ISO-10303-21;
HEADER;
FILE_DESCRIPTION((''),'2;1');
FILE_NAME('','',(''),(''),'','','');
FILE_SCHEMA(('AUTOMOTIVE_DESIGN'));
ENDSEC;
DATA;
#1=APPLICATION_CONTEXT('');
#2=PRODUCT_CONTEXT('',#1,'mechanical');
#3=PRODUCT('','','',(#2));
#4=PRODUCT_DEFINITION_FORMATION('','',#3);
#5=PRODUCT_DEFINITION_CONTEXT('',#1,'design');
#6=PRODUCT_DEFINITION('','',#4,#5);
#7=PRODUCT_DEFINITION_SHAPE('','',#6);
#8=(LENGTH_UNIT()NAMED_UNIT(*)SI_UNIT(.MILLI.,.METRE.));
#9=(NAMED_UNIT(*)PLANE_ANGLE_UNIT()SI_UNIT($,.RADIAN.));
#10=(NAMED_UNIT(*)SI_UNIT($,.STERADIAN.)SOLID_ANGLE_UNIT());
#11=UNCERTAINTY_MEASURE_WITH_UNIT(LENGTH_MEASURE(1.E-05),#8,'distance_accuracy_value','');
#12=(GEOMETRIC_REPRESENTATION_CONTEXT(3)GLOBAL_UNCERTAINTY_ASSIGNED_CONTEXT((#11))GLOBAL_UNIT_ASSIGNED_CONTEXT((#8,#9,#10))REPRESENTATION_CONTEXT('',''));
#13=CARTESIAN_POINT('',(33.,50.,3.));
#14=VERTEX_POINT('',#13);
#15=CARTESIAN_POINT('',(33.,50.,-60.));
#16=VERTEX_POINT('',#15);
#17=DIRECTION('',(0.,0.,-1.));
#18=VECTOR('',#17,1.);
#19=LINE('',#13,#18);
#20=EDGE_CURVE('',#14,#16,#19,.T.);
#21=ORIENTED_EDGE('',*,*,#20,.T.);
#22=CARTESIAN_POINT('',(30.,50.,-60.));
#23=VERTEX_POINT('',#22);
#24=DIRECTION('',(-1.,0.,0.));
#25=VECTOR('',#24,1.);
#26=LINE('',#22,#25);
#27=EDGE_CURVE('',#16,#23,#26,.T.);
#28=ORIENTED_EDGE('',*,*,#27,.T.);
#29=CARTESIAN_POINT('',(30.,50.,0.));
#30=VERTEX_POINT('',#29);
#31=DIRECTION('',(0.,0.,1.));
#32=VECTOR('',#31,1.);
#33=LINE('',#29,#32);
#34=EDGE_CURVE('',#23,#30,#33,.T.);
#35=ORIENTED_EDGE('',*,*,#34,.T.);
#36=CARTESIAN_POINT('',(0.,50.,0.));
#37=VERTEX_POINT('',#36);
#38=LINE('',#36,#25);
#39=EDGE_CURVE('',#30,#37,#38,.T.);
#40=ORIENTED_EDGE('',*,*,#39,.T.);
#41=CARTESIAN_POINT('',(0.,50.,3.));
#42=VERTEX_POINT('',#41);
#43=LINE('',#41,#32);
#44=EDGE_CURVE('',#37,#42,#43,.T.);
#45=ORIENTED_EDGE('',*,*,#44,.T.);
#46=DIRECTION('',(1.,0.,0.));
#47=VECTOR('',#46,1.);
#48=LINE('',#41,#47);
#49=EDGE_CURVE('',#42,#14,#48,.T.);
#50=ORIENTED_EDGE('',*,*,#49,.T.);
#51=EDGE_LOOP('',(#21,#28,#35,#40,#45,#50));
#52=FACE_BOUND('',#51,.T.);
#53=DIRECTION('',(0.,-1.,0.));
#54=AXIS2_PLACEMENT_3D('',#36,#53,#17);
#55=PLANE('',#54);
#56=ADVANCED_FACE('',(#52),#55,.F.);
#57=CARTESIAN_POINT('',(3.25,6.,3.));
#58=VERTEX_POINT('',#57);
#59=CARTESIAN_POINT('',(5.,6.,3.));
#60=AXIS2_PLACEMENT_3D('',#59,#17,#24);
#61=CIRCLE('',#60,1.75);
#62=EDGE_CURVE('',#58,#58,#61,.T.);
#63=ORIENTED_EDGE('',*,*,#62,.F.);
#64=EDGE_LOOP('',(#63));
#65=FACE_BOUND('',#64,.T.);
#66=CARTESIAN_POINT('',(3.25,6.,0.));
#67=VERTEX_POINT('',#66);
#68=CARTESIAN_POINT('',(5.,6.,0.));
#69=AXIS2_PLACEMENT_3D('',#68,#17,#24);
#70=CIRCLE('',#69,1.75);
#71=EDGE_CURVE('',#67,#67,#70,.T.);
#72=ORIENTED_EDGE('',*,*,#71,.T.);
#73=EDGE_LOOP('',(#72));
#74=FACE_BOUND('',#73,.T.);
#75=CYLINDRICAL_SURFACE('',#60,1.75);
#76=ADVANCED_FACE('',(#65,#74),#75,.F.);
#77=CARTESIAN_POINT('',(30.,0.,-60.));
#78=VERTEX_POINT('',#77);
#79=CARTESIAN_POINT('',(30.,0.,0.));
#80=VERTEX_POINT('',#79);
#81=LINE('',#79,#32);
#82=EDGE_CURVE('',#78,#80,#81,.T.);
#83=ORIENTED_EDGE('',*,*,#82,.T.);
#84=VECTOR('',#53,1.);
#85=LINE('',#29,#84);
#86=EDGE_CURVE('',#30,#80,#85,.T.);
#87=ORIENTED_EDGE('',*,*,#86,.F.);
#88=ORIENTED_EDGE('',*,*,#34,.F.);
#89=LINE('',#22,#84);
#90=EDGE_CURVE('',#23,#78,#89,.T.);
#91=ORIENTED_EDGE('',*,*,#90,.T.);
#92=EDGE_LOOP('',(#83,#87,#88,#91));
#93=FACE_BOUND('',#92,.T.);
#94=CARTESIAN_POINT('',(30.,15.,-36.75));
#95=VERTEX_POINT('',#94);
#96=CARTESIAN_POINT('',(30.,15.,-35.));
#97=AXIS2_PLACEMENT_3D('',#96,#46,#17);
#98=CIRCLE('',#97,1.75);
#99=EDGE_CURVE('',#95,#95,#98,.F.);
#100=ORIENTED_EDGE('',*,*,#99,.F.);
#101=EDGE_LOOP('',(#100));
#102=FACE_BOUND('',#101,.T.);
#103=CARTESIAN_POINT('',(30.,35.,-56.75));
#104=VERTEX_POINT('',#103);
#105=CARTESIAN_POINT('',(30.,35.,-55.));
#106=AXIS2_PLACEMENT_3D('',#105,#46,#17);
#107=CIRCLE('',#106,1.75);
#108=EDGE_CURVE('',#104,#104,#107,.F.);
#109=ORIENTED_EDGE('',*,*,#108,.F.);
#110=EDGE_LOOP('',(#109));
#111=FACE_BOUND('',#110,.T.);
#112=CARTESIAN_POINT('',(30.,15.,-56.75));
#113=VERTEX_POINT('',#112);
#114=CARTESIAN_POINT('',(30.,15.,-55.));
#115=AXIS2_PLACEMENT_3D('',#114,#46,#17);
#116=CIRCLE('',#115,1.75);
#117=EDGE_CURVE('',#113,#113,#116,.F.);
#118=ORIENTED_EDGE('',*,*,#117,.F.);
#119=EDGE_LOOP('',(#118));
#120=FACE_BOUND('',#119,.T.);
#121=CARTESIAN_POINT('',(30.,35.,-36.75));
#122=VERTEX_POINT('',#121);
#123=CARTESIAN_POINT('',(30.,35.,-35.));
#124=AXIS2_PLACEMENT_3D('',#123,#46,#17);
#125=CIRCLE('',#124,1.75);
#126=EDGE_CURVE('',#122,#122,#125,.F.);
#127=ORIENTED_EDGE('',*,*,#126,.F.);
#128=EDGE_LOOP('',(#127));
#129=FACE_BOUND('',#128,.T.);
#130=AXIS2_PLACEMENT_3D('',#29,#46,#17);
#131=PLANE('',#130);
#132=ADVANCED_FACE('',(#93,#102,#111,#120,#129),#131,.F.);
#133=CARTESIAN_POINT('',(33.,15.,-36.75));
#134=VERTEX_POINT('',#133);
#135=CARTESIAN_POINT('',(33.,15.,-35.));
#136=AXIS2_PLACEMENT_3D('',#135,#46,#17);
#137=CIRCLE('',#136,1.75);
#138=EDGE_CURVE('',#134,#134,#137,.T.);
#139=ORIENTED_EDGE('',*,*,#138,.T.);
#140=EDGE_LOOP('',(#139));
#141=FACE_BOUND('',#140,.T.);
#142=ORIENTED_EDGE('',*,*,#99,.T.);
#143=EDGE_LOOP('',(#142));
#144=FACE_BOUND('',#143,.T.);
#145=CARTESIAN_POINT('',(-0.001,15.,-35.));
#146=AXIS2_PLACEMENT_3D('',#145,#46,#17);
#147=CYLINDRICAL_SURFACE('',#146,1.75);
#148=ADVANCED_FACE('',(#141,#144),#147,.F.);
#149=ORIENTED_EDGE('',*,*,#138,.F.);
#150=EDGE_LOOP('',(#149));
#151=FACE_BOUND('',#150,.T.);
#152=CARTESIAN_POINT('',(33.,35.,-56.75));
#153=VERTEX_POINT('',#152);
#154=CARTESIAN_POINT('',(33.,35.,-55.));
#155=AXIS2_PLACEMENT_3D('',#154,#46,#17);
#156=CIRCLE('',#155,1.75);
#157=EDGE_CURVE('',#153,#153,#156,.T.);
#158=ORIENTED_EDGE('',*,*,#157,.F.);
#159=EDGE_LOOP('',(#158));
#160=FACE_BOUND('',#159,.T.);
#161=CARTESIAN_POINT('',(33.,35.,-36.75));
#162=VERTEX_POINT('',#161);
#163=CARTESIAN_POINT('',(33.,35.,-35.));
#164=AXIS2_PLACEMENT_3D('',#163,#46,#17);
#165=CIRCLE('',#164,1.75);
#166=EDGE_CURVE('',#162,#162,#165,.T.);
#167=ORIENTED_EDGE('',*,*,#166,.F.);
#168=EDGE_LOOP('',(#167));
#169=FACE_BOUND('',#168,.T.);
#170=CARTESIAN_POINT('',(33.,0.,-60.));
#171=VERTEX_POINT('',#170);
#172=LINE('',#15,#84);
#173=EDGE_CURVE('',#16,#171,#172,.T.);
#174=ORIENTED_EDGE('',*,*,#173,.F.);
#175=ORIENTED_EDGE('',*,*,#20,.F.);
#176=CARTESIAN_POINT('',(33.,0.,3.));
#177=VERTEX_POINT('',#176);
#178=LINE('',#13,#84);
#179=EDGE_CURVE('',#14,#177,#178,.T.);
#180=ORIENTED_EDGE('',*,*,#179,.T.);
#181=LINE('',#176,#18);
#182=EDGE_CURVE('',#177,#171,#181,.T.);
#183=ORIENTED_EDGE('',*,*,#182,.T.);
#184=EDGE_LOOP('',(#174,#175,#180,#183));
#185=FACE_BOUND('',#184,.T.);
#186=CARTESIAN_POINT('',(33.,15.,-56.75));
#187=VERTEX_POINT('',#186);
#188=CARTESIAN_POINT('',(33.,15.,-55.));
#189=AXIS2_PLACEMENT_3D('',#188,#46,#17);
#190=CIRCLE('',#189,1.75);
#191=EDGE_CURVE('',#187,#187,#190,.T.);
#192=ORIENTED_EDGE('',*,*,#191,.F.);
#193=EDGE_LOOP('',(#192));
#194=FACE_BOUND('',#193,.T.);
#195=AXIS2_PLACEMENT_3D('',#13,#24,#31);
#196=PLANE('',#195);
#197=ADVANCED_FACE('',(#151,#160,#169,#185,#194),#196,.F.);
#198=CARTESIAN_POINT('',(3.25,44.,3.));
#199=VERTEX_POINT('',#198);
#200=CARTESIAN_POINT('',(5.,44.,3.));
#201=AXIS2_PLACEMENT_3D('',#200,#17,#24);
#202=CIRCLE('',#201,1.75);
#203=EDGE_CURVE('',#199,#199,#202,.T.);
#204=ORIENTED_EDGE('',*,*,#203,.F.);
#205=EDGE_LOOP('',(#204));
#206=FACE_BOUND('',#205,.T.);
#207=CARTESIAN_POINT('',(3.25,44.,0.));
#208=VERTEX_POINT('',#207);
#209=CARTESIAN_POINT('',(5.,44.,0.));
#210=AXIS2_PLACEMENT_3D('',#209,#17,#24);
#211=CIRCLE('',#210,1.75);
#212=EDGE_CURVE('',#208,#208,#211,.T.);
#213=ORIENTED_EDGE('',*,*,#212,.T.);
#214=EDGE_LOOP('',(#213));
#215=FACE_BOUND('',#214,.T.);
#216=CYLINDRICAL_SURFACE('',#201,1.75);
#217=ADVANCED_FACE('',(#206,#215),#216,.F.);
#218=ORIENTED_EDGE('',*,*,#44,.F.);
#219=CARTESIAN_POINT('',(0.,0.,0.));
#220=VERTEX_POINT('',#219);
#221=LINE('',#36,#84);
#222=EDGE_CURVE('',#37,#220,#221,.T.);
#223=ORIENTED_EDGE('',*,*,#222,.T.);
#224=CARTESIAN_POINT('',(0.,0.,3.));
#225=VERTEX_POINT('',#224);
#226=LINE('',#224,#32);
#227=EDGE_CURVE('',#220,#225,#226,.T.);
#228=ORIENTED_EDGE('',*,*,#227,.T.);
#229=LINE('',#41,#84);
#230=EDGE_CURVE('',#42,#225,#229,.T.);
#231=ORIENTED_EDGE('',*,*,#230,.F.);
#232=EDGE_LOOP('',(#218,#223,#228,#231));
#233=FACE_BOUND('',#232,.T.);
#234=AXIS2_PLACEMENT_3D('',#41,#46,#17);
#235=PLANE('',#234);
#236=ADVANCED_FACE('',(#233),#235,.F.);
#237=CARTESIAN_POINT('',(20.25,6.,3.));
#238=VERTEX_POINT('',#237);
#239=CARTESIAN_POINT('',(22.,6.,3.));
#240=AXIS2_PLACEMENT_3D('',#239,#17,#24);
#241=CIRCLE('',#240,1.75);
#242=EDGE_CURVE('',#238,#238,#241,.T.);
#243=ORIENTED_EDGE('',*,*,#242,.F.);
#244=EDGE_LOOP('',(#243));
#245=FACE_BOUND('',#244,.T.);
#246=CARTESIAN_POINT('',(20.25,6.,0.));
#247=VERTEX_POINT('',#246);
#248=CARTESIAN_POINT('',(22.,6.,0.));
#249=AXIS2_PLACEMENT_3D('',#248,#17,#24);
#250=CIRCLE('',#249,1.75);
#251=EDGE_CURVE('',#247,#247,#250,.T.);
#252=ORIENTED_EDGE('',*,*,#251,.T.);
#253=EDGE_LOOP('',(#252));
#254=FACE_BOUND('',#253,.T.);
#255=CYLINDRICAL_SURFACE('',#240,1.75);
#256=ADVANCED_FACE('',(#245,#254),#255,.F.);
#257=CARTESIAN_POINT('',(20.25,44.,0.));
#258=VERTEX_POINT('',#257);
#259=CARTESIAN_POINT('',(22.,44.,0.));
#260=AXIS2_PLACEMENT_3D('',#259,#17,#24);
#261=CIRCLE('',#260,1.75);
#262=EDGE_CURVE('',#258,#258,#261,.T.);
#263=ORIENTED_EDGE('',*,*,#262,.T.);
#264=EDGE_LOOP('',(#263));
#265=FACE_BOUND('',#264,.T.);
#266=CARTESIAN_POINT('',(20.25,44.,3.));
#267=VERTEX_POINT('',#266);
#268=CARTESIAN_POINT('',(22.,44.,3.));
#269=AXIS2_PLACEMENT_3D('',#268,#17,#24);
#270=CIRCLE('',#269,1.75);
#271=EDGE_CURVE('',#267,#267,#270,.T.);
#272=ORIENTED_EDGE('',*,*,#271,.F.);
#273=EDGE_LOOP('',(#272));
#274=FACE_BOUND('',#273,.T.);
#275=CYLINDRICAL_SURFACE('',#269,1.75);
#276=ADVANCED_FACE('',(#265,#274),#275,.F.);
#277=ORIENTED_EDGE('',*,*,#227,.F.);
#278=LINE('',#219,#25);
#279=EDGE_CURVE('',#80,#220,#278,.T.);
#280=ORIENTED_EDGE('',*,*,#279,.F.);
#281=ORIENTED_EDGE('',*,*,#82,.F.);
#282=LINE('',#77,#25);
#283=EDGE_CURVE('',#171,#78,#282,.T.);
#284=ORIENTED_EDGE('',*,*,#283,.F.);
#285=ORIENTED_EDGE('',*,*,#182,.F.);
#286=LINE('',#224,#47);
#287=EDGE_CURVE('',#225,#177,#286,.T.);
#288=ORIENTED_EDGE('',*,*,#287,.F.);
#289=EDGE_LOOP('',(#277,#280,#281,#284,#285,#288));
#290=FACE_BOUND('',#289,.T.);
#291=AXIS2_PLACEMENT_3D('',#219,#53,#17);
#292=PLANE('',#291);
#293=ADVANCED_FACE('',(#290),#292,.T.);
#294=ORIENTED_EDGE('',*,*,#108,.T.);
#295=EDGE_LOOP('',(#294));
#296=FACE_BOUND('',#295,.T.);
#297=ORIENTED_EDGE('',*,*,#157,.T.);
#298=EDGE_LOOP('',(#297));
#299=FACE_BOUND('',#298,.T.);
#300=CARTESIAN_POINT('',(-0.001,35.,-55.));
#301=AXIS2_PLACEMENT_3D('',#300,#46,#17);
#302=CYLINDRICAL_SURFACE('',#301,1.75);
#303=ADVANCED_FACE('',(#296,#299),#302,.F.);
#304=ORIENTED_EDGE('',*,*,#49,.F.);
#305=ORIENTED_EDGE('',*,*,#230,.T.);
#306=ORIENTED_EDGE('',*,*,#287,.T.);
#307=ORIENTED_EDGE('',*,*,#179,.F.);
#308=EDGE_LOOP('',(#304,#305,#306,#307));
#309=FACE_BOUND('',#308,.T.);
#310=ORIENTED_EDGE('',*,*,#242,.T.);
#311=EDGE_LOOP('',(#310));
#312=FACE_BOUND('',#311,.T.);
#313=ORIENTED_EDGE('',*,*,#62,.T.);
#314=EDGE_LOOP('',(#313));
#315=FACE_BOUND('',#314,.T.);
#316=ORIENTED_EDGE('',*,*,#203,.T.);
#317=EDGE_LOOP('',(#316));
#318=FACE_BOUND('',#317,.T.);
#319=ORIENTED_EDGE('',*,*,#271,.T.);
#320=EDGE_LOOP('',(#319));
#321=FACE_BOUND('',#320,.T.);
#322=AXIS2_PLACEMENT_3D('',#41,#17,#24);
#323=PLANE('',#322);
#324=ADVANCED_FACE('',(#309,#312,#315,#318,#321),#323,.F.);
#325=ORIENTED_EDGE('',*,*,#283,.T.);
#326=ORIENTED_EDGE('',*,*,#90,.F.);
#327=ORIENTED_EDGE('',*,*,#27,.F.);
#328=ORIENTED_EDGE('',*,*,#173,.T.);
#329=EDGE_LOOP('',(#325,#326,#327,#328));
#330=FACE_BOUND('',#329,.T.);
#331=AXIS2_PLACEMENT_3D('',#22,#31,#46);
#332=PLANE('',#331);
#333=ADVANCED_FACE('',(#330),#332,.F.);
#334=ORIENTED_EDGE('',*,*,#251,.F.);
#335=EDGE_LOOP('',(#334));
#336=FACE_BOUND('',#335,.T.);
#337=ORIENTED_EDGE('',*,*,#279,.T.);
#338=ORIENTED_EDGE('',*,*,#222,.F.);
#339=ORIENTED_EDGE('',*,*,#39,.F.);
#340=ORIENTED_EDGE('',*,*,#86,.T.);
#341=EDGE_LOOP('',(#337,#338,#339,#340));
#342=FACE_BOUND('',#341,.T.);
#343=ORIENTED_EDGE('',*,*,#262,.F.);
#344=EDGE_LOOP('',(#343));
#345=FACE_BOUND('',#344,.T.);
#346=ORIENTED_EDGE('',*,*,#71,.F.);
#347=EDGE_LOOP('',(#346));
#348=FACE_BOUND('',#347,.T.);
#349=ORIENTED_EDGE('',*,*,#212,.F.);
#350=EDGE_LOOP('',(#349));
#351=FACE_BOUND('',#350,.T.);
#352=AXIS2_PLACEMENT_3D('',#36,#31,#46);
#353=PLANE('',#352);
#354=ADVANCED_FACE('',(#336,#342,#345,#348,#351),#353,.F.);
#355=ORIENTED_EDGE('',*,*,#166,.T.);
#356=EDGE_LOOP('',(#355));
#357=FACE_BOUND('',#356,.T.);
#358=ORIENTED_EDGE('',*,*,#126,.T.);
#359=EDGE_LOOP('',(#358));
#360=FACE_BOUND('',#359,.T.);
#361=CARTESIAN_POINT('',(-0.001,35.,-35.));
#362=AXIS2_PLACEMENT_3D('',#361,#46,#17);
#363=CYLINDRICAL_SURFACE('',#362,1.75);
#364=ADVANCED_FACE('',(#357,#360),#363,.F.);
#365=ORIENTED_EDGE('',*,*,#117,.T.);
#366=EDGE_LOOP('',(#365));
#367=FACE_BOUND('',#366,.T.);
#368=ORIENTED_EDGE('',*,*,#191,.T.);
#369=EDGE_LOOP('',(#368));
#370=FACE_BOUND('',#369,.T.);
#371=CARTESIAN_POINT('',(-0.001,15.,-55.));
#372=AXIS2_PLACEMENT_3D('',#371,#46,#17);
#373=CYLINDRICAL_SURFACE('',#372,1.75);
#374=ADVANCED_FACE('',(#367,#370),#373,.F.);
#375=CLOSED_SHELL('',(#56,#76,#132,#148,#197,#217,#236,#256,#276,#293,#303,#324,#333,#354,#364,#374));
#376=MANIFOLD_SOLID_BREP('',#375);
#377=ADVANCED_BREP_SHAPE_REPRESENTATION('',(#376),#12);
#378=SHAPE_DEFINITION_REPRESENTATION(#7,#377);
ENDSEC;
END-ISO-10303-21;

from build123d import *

# Parameters (mm, degrees)
EXTRUDE_1_DEPTH     = 50
SKETCH_2_R          = 1.75
CUT_EXTRUDE_1_DEPTH = 85.787970845
CUT_EXTRUDE_2_REACH = 86.788
SKETCH_3_R          = 1.75


with BuildPart() as part:
    # 草图1 → 凸台-拉伸1 (new body)
    with BuildSketch(Plane(origin=(0, 0, 0), x_dir=(1, 0, 0), z_dir=(0, 1, 0))):
        Polygon((0, 0), (30, 0), (30, 60), (33, 60), (33, -3), (0, -3), align=None)
    extrude(amount=EXTRUDE_1_DEPTH)

    # 草图2 → 切除-拉伸1 (cut, through all)
    with BuildSketch(Plane(origin=(0, 0, 0), x_dir=(-1, 0, 0), z_dir=(0, 0, -1))):
        with Locations((-22, 6)):
            Circle(SKETCH_2_R)
        with Locations((-22, 44)):
            Circle(SKETCH_2_R)
        with Locations((-5, 44)):
            Circle(SKETCH_2_R)
        with Locations((-5, 6)):
            Circle(SKETCH_2_R)
    extrude(amount=-CUT_EXTRUDE_1_DEPTH, mode=Mode.SUBTRACT)

    # 草图3 → 切除-拉伸2 (cut, up to next)
    with BuildSketch(Plane(origin=(33, 0, 0), x_dir=(0, 0, -1), z_dir=(1, 0, 0)), mode=Mode.PRIVATE) as cut_extrude_2_sk1:
        with Locations((55, 35)):
            Circle(SKETCH_3_R)
    cut_extrude_2_tool1 = extrude(cut_extrude_2_sk1.sketch, amount=-CUT_EXTRUDE_2_REACH, mode=Mode.PRIVATE) & part.part
    # 草图3 → 切除-拉伸2 (cut, up to next)
    with BuildSketch(Plane(origin=(33, 0, 0), x_dir=(0, 0, -1), z_dir=(1, 0, 0)), mode=Mode.PRIVATE) as cut_extrude_2_sk2:
        with Locations((55, 15)):
            Circle(SKETCH_3_R)
    cut_extrude_2_tool2 = extrude(cut_extrude_2_sk2.sketch, amount=-CUT_EXTRUDE_2_REACH, mode=Mode.PRIVATE) & part.part
    # 草图3 → 切除-拉伸2 (cut, up to next)
    with BuildSketch(Plane(origin=(33, 0, 0), x_dir=(0, 0, -1), z_dir=(1, 0, 0)), mode=Mode.PRIVATE) as cut_extrude_2_sk3:
        with Locations((35, 35)):
            Circle(SKETCH_3_R)
    cut_extrude_2_tool3 = extrude(cut_extrude_2_sk3.sketch, amount=-CUT_EXTRUDE_2_REACH, mode=Mode.PRIVATE) & part.part
    # 草图3 → 切除-拉伸2 (cut, up to next)
    with BuildSketch(Plane(origin=(33, 0, 0), x_dir=(0, 0, -1), z_dir=(1, 0, 0)), mode=Mode.PRIVATE) as cut_extrude_2_sk4:
        with Locations((35, 15)):
            Circle(SKETCH_3_R)
    cut_extrude_2_tool4 = extrude(cut_extrude_2_sk4.sketch, amount=-CUT_EXTRUDE_2_REACH, mode=Mode.PRIVATE) & part.part
    add(cut_extrude_2_tool1.solids().sort_by_distance((33, 35, -55))[0], mode=Mode.SUBTRACT)
    add(cut_extrude_2_tool2.solids().sort_by_distance((33, 15, -55))[0], mode=Mode.SUBTRACT)
    add(cut_extrude_2_tool3.solids().sort_by_distance((33, 35, -35))[0], mode=Mode.SUBTRACT)
    add(cut_extrude_2_tool4.solids().sort_by_distance((33, 15, -35))[0], mode=Mode.SUBTRACT)


solid = part.part
